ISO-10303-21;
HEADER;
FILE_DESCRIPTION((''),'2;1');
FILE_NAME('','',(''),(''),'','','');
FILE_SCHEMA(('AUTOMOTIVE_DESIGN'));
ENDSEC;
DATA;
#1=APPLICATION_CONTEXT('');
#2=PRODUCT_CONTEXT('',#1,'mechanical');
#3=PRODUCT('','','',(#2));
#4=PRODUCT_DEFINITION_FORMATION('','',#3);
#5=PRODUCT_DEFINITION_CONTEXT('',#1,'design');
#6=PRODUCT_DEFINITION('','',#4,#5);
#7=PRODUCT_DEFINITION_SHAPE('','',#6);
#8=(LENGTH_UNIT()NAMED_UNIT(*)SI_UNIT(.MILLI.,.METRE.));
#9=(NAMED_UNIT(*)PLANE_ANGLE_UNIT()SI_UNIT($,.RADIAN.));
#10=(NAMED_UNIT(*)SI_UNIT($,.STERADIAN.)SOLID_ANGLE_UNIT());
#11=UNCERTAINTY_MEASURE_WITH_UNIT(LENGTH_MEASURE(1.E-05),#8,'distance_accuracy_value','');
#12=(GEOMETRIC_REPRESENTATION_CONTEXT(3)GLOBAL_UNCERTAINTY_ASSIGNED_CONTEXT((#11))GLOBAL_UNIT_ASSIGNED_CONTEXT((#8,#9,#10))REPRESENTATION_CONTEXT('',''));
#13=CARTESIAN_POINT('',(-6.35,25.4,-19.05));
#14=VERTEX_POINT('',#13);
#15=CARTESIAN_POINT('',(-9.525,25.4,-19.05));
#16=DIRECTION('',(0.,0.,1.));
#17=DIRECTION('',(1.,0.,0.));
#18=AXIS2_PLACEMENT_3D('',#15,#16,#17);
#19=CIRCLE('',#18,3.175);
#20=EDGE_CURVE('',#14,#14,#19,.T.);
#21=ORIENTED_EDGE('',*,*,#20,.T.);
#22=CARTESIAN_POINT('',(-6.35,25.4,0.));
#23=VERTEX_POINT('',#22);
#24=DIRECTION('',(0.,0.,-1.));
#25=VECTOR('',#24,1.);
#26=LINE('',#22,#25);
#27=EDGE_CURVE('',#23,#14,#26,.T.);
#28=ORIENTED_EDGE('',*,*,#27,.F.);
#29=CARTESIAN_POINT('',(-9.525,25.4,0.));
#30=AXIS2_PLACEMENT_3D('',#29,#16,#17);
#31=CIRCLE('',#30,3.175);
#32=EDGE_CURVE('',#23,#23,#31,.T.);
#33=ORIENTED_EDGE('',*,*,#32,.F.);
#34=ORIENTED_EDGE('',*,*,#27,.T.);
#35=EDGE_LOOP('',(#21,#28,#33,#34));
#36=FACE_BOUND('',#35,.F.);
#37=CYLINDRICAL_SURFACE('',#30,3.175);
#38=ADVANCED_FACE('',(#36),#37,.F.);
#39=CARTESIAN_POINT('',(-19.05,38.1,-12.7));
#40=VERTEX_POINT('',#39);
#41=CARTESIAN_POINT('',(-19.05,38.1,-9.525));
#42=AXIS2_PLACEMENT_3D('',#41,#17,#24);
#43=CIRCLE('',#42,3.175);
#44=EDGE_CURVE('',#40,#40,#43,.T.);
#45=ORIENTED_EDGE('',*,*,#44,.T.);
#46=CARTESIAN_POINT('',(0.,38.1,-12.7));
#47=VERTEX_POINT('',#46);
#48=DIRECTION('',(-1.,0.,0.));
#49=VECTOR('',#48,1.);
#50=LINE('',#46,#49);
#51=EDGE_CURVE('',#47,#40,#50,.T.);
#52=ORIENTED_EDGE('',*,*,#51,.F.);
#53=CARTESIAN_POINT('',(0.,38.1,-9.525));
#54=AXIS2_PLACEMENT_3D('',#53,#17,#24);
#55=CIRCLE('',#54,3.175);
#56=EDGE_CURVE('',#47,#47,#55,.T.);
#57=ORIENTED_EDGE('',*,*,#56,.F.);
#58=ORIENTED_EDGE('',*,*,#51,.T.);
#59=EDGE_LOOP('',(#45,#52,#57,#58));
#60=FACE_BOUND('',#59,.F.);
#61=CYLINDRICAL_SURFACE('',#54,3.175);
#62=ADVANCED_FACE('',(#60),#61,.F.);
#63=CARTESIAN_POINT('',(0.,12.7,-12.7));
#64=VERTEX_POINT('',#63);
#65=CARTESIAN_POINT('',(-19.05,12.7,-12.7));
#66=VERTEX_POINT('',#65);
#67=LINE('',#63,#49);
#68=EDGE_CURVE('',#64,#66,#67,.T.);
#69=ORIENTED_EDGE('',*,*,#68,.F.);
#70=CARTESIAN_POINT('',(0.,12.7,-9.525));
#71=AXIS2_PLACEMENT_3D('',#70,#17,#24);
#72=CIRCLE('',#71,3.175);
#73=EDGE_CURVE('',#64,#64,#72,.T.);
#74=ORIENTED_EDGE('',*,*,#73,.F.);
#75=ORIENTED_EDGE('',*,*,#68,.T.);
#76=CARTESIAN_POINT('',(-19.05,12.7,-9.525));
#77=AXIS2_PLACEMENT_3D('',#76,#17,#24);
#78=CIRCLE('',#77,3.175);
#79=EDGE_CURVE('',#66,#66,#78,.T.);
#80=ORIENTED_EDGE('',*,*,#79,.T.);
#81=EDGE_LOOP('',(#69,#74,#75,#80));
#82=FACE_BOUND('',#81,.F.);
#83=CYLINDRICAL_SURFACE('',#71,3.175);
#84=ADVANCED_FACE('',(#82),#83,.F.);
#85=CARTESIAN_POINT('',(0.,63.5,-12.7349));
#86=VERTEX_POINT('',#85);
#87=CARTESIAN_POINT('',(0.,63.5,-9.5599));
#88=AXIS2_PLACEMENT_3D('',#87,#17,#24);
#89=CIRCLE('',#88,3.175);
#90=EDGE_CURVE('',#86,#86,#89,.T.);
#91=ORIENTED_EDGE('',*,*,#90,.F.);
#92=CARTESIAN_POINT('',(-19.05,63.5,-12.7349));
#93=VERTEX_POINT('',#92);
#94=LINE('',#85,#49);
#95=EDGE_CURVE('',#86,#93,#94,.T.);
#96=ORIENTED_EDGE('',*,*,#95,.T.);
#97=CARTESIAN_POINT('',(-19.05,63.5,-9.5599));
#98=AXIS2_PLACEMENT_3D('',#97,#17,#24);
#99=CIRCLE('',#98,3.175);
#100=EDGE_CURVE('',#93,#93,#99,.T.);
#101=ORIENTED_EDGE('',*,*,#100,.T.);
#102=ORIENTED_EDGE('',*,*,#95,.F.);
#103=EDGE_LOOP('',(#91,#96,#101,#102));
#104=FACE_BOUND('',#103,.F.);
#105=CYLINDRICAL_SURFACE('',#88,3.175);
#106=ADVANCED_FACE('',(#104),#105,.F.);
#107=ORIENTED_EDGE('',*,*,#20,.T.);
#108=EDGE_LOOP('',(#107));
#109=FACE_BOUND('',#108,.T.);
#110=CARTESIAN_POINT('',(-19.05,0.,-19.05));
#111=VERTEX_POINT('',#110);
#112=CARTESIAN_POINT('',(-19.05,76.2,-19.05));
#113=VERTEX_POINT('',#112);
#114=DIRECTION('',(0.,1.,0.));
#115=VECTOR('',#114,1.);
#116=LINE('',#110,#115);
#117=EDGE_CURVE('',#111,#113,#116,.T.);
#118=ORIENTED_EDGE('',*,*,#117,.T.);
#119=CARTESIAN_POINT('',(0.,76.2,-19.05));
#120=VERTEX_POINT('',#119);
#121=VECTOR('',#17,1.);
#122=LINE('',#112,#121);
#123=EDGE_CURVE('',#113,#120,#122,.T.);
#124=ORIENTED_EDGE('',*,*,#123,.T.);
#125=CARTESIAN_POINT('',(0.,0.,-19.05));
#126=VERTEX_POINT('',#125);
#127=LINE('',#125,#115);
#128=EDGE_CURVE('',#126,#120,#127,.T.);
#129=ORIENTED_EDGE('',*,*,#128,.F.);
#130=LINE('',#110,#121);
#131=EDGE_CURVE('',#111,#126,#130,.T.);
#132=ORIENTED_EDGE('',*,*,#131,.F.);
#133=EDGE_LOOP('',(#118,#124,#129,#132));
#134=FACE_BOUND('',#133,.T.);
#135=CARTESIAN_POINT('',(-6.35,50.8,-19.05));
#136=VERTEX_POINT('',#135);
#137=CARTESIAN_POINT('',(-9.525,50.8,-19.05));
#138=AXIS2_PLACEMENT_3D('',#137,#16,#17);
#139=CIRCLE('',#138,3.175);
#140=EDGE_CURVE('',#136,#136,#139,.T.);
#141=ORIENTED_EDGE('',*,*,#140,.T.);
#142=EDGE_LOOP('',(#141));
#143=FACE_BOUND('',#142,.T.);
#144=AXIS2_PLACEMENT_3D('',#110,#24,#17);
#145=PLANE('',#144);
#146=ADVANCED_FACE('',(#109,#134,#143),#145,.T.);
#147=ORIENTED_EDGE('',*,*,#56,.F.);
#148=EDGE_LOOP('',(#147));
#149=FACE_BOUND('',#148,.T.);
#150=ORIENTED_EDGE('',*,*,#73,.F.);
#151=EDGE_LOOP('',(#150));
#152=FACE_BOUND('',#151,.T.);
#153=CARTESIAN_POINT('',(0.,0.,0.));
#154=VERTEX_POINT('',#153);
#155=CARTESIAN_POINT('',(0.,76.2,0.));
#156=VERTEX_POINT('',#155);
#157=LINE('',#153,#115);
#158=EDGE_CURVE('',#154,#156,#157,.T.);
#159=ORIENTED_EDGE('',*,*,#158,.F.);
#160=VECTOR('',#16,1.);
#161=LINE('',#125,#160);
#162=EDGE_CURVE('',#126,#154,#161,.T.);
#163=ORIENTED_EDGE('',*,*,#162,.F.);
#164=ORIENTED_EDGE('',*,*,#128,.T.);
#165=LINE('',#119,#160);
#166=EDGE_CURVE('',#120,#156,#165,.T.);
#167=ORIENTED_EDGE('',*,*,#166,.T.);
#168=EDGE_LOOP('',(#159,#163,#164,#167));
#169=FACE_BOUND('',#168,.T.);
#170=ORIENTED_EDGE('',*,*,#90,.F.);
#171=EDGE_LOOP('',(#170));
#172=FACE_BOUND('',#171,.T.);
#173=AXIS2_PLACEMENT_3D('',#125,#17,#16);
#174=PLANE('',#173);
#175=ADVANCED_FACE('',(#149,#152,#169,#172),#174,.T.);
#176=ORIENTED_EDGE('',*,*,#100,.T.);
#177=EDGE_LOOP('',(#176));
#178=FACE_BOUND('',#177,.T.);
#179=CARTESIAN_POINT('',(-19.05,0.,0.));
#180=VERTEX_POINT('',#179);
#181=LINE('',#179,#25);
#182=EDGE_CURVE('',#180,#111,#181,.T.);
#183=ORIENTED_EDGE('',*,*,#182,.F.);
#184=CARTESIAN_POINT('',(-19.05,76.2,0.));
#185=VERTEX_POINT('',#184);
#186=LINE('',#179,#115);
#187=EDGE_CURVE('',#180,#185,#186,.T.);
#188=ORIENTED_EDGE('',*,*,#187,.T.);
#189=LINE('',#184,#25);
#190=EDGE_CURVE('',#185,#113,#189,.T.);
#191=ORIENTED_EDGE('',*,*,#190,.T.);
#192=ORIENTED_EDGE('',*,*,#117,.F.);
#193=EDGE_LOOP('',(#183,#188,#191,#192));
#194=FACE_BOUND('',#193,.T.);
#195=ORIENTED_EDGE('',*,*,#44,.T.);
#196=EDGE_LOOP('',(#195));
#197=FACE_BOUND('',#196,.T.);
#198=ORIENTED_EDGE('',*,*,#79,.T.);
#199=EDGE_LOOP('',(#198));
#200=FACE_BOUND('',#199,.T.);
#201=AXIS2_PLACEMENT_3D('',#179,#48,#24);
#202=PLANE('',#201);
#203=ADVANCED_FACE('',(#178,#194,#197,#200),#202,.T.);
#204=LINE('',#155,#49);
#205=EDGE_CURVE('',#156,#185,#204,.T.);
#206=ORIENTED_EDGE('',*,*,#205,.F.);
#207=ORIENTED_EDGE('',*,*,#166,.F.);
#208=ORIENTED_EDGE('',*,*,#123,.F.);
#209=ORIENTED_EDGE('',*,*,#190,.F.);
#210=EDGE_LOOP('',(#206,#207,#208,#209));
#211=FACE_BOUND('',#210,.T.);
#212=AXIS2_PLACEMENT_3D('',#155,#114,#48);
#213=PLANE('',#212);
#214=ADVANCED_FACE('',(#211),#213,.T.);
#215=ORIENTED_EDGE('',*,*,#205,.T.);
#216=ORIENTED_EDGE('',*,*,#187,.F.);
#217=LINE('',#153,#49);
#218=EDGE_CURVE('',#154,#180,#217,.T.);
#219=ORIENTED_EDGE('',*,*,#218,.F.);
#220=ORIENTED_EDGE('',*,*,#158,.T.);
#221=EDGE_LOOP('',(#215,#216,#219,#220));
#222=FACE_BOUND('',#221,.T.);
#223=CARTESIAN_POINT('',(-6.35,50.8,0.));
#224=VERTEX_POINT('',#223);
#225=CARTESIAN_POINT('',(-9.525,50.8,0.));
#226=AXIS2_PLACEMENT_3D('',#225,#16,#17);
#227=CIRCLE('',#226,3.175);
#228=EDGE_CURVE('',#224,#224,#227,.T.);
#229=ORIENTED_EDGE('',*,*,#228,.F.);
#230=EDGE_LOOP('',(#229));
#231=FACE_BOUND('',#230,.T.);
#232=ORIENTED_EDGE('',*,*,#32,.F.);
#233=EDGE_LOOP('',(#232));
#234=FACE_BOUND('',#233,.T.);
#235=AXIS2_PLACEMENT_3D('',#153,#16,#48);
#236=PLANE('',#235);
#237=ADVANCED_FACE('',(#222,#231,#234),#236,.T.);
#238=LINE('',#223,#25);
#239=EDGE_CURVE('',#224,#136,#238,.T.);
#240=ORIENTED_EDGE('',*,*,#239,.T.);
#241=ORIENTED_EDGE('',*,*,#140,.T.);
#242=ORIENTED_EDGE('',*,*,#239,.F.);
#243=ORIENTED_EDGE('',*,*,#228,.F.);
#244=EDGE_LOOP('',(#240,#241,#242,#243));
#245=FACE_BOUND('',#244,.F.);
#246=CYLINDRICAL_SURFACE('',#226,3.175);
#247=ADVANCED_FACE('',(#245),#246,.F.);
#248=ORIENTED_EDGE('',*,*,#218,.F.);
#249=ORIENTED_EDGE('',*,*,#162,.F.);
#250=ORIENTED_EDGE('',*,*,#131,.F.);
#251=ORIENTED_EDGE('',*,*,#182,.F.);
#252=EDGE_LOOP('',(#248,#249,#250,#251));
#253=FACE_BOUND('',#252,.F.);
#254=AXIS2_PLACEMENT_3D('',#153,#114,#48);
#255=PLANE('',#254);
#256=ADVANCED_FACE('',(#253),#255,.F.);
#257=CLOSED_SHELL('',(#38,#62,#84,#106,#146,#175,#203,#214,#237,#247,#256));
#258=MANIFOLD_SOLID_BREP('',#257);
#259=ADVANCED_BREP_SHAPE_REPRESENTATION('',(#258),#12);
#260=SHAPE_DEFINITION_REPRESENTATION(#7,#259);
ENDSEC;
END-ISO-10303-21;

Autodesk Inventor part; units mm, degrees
ref_plane "YZ Plane" through (0, 0, 0) normal (1, 0, 0) x (0, 1, 0)
ref_plane "XZ Plane" through (0, 0, 0) normal (0, 1, 0) x (-1, 0, 0)
ref_plane "XY Plane" through (0, 0, 0) normal (0, 0, 1) x (1, 0, 0)
sketch "Sketch1" plane through (0, 0, 0) normal (0, 1, 0) x (-1, 0, 0)
  line L0 (0, 0) -> (19.05, 0)
  line L1 (19.05, 0) -> (19.05, -19.05)
  line L2 (19.05, -19.05) -> (0, -19.05)
  line L3 (0, -19.05) -> (0, 0)
  dimension "d0" = 19.05
  dimension "d1" = 19.05
extrude "Extrusion1" add sketch "Sketch1" along normal blind 76.2
sketch "Sketch4" plane through (-19.05, 0, 0) normal (0, 0, 1) x (1, 0, 0)
  circle A0 centre (9.525, 50.8) radius 3.175
  line L0 (0, 76.2) -> (19.05, 76.2) projected
  line L1 (19.05, 0) -> (19.05, 76.2) projected
  circle A1 centre (9.525, 25.4) radius 3.175
  line L2 (0, 0) -> (19.05, 0) projected
  dimension "d19" = 6.35
  dimension "d20" = 25.4
  dimension "d21" = 9.525
  dimension "d22" = 6.35
  dimension "d23" = 9.525
  dimension "d24" = 25.4
extrude "Extrusion4" cut sketch "Sketch4" against normal blind 25.4
sketch "Sketch5" plane through (0, 0, 0) normal (1, 0, 0) x (0, 0, -1)
  circle A0 centre (9.5599, 63.5) radius 3.175
  line L0 (0, 76.2) -> (19.05, 76.2) projected
  circle A1 centre (9.525, 38.1) radius 3.175
  line L1 (19.05, 0) -> (19.05, 76.2) projected
  circle A2 centre (9.525, 12.7) radius 3.175
  line L2 (0, 0) -> (19.05, 0) projected
  line L3 (0, 0) -> (0, 76.2) projected
  dimension "d27" = 6.35
  dimension "d28" = 12.7
  dimension "d29" = 6.35
  dimension "d30" = 9.525
  dimension "d31" = 38.1
  dimension "d32" = 6.35
  dimension "d33" = 12.7
  dimension "d34" = 9.525
extrude "Extrusion5" cut sketch "Sketch5" against normal blind 25.4 contours A0 | A1 | A2
properties part number "Experimental Block Bracket" material "Aluminum 6061"
